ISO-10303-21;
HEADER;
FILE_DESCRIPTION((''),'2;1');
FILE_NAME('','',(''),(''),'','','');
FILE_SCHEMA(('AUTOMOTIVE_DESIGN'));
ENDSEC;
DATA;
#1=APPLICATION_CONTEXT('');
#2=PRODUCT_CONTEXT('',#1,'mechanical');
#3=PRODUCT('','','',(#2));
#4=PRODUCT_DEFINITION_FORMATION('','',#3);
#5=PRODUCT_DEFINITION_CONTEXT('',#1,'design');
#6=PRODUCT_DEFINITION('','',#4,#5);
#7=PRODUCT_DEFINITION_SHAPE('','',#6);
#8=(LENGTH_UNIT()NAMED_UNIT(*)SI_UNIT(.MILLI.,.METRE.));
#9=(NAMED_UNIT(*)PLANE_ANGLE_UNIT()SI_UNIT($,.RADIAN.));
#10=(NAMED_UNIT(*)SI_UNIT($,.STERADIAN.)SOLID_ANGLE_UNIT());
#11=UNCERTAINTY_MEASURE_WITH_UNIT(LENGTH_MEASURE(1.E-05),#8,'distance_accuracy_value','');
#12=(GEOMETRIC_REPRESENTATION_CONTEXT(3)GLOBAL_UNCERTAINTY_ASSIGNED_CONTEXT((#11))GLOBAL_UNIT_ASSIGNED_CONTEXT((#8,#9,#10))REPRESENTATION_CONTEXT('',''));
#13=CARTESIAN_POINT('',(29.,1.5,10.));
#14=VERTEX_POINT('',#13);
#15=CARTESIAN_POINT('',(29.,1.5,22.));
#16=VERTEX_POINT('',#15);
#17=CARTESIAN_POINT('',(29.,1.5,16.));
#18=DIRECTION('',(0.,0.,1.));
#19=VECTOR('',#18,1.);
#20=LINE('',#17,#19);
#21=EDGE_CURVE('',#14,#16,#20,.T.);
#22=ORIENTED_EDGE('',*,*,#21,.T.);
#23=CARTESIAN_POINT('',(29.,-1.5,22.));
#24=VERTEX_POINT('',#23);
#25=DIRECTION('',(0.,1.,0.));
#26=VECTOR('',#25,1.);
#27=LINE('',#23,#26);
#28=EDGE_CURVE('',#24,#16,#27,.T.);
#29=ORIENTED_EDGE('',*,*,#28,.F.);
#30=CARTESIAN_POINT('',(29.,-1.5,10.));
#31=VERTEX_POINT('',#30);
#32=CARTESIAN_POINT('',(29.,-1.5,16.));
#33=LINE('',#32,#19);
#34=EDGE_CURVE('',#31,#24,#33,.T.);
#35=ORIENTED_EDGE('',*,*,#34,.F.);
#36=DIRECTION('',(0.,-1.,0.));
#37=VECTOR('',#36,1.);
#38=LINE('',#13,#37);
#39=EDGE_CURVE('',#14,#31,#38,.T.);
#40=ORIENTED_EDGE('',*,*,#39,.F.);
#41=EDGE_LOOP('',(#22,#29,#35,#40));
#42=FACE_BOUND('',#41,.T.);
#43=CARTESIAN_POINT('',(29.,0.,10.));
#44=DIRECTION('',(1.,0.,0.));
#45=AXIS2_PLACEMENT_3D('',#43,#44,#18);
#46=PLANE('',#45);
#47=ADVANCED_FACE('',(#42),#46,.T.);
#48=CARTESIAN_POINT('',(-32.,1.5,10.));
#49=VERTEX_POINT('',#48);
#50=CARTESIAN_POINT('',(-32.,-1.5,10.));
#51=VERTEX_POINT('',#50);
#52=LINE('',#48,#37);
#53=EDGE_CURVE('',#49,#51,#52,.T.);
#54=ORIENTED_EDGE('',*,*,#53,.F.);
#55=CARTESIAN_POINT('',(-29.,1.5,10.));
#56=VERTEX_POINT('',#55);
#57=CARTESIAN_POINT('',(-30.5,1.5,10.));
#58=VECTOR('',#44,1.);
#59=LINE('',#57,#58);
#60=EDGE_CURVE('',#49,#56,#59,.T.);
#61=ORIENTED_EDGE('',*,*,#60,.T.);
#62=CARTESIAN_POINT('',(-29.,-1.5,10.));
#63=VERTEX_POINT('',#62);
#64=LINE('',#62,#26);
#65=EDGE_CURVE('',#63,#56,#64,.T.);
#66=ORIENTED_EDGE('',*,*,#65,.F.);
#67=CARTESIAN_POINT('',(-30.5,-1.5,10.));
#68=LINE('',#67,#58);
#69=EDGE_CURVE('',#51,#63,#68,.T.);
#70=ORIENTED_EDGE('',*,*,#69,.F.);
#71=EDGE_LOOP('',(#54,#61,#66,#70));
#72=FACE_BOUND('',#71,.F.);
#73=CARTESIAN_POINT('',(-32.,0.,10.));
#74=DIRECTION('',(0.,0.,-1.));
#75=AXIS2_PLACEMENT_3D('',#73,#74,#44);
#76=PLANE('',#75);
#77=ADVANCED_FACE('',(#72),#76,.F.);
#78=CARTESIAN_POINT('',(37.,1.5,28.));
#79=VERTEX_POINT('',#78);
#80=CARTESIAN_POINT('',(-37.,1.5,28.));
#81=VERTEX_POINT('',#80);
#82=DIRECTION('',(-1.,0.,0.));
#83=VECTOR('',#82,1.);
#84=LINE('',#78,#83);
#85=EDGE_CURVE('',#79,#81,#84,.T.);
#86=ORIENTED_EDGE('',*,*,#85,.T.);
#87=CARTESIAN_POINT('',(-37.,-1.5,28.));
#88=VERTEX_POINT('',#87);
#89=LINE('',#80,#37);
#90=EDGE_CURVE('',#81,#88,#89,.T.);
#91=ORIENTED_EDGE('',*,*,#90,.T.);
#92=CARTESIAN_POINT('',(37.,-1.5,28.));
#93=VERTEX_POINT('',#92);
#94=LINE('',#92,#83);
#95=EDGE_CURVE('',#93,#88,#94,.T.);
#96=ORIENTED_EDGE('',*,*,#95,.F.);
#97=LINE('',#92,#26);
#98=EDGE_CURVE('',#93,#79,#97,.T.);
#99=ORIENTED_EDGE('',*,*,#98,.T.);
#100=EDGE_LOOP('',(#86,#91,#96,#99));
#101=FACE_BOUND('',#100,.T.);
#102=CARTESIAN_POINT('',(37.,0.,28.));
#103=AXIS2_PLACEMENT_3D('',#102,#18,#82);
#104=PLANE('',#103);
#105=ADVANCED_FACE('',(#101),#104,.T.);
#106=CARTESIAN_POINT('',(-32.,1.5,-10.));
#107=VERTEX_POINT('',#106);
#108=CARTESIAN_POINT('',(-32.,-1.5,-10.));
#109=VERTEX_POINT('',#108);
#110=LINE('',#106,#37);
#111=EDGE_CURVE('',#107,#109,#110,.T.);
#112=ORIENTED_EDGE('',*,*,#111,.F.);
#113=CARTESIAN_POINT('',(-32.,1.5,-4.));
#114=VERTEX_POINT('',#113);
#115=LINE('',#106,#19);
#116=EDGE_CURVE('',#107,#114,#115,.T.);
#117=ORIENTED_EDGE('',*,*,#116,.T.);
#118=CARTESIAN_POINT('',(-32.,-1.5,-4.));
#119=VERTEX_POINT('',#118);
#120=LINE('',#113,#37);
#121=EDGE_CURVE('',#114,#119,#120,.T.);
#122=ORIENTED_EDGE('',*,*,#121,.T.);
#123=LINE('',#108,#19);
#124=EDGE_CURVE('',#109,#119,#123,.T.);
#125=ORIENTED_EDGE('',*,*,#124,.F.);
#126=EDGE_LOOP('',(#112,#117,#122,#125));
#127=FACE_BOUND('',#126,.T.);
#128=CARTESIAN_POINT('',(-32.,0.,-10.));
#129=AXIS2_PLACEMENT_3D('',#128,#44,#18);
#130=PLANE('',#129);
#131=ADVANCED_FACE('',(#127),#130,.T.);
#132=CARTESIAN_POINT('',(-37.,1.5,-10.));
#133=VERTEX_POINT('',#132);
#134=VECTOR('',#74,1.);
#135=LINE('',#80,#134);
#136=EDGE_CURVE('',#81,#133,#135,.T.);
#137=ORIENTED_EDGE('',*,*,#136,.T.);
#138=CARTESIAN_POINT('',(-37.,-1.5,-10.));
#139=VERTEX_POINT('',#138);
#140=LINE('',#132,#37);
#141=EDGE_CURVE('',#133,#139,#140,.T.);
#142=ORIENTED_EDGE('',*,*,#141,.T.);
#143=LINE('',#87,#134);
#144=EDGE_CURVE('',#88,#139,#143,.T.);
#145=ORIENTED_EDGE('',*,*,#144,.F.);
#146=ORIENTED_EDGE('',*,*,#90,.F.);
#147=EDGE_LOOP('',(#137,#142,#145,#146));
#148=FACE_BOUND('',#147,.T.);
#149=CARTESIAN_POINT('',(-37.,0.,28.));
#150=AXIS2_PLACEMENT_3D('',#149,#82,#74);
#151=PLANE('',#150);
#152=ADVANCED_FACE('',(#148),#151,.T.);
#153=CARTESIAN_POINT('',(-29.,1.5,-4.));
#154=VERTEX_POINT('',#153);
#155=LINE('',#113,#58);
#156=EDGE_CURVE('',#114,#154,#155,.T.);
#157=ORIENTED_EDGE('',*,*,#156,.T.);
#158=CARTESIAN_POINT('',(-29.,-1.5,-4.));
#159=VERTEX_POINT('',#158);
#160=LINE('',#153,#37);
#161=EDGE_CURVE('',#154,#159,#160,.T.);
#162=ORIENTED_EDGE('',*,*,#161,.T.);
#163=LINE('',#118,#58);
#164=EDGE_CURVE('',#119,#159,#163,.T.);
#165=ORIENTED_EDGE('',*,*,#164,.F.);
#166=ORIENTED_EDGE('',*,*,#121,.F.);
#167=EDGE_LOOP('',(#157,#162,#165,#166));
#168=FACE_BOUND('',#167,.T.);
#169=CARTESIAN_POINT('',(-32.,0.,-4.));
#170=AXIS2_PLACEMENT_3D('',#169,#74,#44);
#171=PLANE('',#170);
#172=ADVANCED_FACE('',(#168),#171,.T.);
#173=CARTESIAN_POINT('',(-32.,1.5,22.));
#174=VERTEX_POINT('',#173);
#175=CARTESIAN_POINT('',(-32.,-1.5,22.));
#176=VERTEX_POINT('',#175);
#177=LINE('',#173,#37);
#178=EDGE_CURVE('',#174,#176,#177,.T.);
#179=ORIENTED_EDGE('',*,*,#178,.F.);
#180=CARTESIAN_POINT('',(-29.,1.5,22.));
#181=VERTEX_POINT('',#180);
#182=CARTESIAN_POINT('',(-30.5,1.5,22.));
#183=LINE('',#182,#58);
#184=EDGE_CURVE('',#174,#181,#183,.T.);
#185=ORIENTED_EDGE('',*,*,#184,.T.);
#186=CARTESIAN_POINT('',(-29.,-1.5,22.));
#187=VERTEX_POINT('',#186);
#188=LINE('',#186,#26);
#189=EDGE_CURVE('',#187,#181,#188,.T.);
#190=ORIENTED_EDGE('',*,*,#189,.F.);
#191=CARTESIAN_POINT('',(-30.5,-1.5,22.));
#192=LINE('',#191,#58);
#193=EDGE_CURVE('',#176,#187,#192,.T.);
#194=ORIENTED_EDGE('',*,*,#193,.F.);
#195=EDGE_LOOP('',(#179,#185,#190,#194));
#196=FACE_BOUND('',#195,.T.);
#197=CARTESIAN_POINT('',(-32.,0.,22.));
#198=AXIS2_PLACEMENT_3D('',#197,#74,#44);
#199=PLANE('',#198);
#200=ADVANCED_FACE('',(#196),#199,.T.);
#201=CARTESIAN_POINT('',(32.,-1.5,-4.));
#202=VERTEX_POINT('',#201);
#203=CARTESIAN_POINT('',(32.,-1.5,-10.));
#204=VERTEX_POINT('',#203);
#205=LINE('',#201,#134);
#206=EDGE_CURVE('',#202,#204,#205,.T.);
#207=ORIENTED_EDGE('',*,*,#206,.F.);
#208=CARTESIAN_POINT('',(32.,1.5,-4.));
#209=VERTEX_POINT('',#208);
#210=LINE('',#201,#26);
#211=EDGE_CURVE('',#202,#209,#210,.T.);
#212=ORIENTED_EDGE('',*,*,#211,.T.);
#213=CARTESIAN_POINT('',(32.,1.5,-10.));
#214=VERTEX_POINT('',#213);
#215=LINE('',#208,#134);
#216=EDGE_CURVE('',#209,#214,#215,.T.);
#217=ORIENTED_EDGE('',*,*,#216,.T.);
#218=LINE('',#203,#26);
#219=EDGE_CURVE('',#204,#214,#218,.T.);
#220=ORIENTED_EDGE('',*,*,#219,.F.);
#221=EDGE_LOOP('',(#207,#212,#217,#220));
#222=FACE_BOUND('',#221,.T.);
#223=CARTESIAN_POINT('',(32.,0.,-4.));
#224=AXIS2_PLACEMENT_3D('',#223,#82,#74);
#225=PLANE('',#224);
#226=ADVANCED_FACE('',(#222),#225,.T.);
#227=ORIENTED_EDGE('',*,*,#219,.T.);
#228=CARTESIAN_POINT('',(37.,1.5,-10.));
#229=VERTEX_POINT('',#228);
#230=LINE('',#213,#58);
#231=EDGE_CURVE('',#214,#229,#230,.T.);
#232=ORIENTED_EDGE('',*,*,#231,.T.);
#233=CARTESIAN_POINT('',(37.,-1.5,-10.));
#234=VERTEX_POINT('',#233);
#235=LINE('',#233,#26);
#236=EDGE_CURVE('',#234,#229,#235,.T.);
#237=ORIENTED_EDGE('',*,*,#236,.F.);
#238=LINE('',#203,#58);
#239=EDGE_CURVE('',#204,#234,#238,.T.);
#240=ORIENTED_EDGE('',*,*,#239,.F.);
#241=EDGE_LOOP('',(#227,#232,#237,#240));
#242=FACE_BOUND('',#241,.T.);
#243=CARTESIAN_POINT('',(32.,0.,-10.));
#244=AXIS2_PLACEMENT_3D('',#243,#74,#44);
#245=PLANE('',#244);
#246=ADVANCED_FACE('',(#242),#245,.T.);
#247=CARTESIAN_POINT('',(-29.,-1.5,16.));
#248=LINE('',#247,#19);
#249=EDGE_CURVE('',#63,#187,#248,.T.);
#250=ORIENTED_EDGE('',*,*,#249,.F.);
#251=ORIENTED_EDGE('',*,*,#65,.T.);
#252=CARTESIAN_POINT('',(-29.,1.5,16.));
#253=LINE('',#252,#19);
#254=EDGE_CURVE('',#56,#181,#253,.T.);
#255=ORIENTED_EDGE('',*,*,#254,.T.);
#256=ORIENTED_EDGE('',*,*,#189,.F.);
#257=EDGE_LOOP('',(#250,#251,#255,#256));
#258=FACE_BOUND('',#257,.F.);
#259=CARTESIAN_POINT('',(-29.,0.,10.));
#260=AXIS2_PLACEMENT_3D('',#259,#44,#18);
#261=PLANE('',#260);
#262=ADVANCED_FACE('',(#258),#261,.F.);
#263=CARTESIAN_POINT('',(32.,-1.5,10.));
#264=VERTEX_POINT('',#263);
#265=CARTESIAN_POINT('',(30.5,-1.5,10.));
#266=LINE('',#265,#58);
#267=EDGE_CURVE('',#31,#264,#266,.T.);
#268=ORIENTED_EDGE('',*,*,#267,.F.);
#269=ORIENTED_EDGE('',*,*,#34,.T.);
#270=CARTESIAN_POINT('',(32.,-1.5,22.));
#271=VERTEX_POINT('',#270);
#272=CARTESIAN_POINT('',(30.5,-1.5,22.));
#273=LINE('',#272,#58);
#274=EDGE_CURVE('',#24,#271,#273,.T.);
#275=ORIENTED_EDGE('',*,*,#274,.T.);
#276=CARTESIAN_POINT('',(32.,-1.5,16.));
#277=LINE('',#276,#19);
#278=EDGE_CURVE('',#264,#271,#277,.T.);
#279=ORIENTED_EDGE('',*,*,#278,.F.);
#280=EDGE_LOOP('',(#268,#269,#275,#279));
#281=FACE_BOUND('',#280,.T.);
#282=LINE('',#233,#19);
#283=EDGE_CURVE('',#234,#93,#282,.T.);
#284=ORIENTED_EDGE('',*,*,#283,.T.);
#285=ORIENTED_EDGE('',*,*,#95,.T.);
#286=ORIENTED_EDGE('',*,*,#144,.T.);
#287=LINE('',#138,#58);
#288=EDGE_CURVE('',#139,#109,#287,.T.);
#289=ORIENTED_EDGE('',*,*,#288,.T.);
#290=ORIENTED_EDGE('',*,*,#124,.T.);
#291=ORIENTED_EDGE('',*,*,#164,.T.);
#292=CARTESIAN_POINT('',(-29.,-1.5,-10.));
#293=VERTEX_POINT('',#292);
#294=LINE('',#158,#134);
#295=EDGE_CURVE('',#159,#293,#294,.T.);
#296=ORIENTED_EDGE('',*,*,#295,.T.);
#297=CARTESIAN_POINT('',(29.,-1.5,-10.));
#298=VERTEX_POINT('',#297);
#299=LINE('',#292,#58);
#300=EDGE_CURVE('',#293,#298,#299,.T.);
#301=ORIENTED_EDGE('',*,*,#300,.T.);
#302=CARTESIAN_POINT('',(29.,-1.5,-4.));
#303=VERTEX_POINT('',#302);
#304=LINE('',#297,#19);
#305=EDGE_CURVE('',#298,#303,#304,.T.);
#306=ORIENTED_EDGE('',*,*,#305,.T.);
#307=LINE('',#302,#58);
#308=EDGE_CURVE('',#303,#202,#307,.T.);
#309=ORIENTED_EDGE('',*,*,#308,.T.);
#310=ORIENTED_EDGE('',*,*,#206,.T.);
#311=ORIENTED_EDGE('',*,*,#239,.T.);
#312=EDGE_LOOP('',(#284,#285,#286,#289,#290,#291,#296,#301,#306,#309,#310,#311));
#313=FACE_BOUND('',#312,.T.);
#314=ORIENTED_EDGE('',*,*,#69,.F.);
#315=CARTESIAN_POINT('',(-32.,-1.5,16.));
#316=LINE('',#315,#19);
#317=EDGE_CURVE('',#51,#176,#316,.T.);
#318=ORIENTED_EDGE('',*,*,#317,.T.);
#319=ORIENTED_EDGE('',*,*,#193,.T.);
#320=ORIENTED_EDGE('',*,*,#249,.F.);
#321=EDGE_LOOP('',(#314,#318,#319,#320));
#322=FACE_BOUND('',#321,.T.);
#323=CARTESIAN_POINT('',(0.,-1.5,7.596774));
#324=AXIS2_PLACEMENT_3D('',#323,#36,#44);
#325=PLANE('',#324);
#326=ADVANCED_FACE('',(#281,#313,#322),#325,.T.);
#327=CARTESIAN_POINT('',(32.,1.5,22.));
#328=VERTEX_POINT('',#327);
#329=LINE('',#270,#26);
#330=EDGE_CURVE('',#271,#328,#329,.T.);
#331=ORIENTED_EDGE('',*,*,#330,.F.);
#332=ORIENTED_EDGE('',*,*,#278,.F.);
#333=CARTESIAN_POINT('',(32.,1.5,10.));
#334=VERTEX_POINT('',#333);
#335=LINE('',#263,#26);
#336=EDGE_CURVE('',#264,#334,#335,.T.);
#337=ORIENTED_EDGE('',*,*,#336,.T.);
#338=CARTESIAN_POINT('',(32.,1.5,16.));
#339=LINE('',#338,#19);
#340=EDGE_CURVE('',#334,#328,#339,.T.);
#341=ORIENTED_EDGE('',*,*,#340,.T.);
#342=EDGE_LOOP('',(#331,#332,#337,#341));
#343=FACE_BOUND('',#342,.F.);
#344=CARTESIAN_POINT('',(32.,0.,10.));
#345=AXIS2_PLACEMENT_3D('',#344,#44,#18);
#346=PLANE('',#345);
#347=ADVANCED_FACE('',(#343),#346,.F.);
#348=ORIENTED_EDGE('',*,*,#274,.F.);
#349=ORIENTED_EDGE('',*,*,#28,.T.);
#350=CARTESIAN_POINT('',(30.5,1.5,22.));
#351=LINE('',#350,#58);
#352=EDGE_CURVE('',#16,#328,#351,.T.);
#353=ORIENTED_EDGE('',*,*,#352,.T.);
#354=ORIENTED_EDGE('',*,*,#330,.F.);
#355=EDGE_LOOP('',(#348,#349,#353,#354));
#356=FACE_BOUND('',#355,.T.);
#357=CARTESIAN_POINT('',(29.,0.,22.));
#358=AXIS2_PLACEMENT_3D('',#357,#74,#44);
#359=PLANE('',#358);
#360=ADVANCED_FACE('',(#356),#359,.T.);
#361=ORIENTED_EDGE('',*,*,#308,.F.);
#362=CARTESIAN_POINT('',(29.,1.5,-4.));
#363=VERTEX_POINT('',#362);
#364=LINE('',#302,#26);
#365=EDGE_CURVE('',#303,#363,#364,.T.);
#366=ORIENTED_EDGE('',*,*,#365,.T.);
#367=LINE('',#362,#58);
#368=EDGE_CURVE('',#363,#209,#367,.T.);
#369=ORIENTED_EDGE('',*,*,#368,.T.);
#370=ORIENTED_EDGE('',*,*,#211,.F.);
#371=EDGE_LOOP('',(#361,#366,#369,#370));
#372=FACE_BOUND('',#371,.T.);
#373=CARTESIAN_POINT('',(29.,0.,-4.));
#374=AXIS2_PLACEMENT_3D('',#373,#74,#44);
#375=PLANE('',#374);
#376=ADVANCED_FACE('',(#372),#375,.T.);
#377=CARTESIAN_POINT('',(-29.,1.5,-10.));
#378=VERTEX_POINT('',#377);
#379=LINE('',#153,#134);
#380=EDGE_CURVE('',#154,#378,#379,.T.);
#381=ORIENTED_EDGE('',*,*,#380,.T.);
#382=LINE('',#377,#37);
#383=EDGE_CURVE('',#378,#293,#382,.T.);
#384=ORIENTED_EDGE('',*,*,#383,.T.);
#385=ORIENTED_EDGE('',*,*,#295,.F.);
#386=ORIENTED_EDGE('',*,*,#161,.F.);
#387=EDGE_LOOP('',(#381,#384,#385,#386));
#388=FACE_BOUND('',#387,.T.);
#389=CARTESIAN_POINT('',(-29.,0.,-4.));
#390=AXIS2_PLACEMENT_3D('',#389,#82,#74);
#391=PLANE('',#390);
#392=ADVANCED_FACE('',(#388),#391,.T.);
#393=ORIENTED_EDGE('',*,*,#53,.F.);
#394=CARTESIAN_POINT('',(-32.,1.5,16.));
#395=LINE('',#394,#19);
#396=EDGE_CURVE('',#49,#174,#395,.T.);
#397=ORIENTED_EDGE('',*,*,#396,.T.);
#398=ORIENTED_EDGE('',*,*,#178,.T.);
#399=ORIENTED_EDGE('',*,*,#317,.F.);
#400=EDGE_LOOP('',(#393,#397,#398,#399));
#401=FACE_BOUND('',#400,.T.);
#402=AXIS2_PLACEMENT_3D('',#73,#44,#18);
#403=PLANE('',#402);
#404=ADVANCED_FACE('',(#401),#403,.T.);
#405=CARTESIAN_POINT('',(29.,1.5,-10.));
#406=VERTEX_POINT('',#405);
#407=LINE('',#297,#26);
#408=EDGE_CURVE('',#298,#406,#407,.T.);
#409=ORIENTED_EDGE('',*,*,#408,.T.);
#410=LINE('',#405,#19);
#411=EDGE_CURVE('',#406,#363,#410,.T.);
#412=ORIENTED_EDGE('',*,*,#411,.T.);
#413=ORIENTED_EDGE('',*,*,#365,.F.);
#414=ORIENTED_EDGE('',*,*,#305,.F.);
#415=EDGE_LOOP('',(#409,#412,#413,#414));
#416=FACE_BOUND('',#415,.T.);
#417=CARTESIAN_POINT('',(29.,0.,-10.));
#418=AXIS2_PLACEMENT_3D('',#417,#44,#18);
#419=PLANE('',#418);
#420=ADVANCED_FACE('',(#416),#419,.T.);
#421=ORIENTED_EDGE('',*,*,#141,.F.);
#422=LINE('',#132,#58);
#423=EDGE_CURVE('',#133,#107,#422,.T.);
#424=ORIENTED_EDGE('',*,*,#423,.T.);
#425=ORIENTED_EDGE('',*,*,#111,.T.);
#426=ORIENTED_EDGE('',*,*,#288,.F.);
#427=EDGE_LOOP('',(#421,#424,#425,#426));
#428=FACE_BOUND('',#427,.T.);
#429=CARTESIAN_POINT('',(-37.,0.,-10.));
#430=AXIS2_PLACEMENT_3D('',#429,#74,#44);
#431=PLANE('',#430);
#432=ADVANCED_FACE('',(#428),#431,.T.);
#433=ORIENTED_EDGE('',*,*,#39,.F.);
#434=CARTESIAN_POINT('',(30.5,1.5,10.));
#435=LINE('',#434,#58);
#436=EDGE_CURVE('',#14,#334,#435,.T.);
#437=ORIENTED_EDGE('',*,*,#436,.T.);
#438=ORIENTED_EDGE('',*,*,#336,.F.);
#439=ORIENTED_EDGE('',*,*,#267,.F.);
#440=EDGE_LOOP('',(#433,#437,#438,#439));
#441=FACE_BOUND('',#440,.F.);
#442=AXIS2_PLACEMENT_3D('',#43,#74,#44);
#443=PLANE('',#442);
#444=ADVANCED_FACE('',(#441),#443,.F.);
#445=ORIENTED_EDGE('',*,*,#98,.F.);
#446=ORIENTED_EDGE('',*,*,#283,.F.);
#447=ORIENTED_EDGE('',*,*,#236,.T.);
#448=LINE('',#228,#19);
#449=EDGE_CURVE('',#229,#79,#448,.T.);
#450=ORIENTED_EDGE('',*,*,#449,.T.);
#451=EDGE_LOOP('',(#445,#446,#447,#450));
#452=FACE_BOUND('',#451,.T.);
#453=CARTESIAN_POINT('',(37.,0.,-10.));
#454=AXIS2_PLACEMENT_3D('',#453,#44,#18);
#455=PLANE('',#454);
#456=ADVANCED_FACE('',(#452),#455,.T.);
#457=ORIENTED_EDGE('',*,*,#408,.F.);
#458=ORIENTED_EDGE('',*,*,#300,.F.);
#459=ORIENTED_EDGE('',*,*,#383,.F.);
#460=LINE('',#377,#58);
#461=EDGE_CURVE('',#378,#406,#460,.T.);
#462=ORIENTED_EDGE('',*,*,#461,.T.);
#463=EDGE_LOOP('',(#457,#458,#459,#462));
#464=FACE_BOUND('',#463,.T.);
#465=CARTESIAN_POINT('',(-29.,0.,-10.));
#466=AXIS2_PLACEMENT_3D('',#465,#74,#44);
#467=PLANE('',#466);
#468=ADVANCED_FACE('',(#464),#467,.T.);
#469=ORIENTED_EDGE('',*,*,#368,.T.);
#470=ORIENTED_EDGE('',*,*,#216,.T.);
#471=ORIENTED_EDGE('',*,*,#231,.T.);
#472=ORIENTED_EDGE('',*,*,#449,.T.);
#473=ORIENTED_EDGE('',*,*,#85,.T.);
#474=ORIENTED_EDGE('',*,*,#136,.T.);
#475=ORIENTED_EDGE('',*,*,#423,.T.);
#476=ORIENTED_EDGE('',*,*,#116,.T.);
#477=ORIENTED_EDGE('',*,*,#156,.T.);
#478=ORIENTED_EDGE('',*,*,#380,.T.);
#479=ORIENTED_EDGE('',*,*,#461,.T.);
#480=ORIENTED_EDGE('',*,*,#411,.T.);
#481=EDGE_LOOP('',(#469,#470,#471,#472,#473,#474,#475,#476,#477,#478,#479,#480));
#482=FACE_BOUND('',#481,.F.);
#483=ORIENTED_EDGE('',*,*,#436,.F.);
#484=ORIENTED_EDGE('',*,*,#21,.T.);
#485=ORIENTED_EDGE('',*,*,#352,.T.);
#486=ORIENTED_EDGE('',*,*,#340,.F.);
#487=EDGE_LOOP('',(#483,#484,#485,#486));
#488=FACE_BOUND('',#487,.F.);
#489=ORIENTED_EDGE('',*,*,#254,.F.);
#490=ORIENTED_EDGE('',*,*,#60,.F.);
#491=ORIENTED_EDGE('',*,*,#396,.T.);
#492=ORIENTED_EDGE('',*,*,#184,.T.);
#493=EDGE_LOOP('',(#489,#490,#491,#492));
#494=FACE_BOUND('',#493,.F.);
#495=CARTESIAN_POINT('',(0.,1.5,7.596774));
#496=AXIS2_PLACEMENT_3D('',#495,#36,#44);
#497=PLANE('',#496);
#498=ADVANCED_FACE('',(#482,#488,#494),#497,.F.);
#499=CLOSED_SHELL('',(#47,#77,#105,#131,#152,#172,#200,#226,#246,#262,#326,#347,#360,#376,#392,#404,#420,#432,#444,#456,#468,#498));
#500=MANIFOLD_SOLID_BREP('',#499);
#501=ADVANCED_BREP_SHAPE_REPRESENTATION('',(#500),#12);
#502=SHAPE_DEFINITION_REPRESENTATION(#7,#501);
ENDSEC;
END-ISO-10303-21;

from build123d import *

# Parameters (mm, degrees)
F0_W     = 3
F0_H     = 12
F1_DEPTH = 1.5


with BuildPart() as f1:
    # F0 (on Front) → F1 (new body, symmetric)
    with BuildSketch(Plane.XZ):
        Polygon((37, 28), (-37, 28), (-37, -10), (-32, -10), (-32, -4), (-29, -4), (-29, -10), (29, -10), (29, -4), (32, -4), (32, -10), (37, -10), align=None)
        with Locations((-30.5, 16)):
            Rectangle(F0_W, F0_H, mode=Mode.SUBTRACT)
        with Locations((30.5, 16)):
            Rectangle(F0_W, F0_H, mode=Mode.SUBTRACT)
    extrude(amount=F1_DEPTH, both=True)


solid = f1.part
